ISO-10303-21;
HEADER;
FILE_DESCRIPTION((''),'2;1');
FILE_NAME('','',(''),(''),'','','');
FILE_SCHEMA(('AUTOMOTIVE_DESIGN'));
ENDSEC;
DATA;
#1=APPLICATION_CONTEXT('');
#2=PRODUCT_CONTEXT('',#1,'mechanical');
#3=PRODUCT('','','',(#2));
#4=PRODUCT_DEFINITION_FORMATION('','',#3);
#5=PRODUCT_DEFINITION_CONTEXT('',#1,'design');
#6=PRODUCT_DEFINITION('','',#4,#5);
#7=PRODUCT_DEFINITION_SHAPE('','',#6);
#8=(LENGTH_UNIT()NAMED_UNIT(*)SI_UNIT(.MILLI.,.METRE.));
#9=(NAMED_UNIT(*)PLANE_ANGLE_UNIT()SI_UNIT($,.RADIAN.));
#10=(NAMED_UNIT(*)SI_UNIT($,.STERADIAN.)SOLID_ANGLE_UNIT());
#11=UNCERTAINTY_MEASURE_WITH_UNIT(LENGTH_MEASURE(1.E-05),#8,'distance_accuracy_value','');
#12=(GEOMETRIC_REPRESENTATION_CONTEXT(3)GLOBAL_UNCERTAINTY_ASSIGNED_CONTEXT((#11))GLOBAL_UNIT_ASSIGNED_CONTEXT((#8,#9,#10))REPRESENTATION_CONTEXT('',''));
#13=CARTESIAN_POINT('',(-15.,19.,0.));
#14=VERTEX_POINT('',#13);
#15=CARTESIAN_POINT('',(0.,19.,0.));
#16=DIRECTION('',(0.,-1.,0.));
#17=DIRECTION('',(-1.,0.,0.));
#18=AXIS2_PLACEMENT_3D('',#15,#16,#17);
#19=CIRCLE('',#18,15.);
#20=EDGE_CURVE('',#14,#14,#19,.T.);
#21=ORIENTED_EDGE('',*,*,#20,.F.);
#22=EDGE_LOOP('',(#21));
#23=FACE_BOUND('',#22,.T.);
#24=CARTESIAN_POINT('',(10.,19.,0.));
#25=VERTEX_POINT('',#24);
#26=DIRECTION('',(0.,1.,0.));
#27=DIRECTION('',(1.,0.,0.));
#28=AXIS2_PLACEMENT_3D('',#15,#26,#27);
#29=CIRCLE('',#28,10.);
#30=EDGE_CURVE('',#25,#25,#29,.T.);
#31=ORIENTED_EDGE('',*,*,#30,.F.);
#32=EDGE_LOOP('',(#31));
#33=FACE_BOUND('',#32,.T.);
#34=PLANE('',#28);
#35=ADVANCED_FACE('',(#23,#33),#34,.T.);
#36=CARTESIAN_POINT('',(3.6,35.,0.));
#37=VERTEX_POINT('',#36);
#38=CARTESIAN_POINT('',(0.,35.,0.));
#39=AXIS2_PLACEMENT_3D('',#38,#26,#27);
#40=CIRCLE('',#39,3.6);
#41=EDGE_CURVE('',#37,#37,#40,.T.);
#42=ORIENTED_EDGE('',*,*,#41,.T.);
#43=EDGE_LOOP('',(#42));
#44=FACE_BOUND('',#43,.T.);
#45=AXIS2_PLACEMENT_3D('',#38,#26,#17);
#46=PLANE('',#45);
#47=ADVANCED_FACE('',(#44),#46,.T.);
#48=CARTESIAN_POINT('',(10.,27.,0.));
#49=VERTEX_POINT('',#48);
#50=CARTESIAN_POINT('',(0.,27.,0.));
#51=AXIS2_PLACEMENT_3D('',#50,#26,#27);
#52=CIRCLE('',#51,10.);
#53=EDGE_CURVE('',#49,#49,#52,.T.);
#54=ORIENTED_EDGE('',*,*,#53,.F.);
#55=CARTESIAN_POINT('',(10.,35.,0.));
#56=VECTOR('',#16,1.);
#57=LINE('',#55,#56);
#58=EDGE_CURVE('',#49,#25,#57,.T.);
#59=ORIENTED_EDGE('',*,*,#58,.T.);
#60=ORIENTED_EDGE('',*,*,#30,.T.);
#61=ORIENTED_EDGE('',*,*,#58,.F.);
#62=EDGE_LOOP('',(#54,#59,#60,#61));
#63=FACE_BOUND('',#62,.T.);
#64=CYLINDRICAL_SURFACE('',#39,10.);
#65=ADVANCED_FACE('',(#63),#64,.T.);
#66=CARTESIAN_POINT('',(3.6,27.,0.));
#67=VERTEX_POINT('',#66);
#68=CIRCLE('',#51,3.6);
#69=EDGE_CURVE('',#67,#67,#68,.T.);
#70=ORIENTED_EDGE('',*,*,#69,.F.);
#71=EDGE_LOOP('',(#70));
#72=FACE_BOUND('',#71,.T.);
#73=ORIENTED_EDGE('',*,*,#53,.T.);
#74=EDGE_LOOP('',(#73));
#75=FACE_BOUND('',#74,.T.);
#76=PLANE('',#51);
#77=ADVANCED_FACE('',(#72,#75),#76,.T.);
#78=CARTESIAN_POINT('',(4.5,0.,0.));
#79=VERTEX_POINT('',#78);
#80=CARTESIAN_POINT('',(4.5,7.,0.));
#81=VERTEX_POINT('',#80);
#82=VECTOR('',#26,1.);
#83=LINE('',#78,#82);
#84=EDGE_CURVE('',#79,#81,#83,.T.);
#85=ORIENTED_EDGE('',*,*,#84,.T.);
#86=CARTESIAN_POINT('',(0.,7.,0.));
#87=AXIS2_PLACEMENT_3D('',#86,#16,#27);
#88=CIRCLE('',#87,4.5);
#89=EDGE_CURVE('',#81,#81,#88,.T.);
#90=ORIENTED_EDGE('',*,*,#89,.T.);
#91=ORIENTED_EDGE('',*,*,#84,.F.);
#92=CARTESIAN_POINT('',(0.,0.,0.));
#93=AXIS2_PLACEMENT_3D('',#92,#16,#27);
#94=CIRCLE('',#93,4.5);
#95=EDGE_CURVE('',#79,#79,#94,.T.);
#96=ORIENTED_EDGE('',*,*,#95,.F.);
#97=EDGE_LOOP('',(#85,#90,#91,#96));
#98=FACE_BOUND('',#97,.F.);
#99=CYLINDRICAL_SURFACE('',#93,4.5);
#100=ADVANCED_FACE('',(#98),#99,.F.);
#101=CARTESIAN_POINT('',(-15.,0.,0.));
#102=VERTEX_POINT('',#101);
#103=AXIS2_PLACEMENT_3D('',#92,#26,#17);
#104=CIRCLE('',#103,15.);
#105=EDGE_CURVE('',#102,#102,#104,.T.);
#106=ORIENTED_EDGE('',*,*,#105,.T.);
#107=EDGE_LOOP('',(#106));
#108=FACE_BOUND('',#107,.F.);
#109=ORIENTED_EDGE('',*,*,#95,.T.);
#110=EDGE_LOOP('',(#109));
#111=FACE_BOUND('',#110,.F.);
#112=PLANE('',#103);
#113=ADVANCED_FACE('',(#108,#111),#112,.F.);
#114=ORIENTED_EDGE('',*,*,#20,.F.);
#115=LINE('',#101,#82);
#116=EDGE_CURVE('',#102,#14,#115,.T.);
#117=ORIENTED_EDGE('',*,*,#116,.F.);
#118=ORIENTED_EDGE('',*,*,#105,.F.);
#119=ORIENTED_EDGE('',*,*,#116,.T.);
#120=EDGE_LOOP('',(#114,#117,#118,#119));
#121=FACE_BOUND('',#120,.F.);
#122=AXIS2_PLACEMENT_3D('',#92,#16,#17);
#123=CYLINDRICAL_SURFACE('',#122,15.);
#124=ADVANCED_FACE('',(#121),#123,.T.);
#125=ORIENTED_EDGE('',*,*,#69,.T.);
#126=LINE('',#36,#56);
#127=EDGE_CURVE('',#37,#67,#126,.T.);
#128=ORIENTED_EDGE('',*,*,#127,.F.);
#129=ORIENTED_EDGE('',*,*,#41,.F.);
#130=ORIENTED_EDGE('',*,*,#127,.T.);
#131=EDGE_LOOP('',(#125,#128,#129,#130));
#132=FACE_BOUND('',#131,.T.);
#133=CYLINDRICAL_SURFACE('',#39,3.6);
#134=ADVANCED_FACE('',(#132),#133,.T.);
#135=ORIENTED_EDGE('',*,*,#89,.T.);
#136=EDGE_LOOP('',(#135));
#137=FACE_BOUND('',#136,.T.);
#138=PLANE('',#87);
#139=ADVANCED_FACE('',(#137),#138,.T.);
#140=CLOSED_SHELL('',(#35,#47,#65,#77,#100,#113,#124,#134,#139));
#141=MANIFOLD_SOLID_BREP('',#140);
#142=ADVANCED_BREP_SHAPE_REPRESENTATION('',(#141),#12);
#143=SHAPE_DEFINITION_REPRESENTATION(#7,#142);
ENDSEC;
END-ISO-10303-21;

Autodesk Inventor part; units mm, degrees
ref_plane "YZ Plane" through (0, 0, 0) normal (1, 0, 0) x (0, 1, 0)
ref_plane "XZ Plane" through (0, 0, 0) normal (0, 1, 0) x (-1, 0, 0)
ref_plane "XY Plane" through (0, 0, 0) normal (0, 0, 1) x (1, 0, 0)
sketch "Sketch2" plane through (0, 0, 0) normal (0, 1, 0) x (-1, 0, 0)
  circle A0 centre (0, 0) radius 15
  dimension "d0" = 30
extrude "Extrusion1" add sketch "Sketch2" along normal blind 35
sketch "Sketch3" plane through (0, 35, 0) normal (0, 1, 0) x (1, 0, 0)
  circle A0 centre (0, 0) radius 3.6
  circle A1 centre (0, 0) radius 15
  circle A2 centre (0, 0) radius 10
  dimension "d3" = 7.2
  dimension "d4" = 20
extrude "Extrusion2" cut sketch "Sketch3" against normal blind 16 contours A1
extrude "Extrusion3" cut sketch "Sketch3" against normal blind 8 contours A2
sketch "Sketch4" plane through (0, 0, 0) normal (0, -1, 0) x (1, 0, 0)
  circle A0 centre (0, 0) radius 4.5
  dimension "d9" = 9
extrude "Extrusion4" cut sketch "Sketch4" against normal blind 7
properties part number "replacement-cover-axel"
